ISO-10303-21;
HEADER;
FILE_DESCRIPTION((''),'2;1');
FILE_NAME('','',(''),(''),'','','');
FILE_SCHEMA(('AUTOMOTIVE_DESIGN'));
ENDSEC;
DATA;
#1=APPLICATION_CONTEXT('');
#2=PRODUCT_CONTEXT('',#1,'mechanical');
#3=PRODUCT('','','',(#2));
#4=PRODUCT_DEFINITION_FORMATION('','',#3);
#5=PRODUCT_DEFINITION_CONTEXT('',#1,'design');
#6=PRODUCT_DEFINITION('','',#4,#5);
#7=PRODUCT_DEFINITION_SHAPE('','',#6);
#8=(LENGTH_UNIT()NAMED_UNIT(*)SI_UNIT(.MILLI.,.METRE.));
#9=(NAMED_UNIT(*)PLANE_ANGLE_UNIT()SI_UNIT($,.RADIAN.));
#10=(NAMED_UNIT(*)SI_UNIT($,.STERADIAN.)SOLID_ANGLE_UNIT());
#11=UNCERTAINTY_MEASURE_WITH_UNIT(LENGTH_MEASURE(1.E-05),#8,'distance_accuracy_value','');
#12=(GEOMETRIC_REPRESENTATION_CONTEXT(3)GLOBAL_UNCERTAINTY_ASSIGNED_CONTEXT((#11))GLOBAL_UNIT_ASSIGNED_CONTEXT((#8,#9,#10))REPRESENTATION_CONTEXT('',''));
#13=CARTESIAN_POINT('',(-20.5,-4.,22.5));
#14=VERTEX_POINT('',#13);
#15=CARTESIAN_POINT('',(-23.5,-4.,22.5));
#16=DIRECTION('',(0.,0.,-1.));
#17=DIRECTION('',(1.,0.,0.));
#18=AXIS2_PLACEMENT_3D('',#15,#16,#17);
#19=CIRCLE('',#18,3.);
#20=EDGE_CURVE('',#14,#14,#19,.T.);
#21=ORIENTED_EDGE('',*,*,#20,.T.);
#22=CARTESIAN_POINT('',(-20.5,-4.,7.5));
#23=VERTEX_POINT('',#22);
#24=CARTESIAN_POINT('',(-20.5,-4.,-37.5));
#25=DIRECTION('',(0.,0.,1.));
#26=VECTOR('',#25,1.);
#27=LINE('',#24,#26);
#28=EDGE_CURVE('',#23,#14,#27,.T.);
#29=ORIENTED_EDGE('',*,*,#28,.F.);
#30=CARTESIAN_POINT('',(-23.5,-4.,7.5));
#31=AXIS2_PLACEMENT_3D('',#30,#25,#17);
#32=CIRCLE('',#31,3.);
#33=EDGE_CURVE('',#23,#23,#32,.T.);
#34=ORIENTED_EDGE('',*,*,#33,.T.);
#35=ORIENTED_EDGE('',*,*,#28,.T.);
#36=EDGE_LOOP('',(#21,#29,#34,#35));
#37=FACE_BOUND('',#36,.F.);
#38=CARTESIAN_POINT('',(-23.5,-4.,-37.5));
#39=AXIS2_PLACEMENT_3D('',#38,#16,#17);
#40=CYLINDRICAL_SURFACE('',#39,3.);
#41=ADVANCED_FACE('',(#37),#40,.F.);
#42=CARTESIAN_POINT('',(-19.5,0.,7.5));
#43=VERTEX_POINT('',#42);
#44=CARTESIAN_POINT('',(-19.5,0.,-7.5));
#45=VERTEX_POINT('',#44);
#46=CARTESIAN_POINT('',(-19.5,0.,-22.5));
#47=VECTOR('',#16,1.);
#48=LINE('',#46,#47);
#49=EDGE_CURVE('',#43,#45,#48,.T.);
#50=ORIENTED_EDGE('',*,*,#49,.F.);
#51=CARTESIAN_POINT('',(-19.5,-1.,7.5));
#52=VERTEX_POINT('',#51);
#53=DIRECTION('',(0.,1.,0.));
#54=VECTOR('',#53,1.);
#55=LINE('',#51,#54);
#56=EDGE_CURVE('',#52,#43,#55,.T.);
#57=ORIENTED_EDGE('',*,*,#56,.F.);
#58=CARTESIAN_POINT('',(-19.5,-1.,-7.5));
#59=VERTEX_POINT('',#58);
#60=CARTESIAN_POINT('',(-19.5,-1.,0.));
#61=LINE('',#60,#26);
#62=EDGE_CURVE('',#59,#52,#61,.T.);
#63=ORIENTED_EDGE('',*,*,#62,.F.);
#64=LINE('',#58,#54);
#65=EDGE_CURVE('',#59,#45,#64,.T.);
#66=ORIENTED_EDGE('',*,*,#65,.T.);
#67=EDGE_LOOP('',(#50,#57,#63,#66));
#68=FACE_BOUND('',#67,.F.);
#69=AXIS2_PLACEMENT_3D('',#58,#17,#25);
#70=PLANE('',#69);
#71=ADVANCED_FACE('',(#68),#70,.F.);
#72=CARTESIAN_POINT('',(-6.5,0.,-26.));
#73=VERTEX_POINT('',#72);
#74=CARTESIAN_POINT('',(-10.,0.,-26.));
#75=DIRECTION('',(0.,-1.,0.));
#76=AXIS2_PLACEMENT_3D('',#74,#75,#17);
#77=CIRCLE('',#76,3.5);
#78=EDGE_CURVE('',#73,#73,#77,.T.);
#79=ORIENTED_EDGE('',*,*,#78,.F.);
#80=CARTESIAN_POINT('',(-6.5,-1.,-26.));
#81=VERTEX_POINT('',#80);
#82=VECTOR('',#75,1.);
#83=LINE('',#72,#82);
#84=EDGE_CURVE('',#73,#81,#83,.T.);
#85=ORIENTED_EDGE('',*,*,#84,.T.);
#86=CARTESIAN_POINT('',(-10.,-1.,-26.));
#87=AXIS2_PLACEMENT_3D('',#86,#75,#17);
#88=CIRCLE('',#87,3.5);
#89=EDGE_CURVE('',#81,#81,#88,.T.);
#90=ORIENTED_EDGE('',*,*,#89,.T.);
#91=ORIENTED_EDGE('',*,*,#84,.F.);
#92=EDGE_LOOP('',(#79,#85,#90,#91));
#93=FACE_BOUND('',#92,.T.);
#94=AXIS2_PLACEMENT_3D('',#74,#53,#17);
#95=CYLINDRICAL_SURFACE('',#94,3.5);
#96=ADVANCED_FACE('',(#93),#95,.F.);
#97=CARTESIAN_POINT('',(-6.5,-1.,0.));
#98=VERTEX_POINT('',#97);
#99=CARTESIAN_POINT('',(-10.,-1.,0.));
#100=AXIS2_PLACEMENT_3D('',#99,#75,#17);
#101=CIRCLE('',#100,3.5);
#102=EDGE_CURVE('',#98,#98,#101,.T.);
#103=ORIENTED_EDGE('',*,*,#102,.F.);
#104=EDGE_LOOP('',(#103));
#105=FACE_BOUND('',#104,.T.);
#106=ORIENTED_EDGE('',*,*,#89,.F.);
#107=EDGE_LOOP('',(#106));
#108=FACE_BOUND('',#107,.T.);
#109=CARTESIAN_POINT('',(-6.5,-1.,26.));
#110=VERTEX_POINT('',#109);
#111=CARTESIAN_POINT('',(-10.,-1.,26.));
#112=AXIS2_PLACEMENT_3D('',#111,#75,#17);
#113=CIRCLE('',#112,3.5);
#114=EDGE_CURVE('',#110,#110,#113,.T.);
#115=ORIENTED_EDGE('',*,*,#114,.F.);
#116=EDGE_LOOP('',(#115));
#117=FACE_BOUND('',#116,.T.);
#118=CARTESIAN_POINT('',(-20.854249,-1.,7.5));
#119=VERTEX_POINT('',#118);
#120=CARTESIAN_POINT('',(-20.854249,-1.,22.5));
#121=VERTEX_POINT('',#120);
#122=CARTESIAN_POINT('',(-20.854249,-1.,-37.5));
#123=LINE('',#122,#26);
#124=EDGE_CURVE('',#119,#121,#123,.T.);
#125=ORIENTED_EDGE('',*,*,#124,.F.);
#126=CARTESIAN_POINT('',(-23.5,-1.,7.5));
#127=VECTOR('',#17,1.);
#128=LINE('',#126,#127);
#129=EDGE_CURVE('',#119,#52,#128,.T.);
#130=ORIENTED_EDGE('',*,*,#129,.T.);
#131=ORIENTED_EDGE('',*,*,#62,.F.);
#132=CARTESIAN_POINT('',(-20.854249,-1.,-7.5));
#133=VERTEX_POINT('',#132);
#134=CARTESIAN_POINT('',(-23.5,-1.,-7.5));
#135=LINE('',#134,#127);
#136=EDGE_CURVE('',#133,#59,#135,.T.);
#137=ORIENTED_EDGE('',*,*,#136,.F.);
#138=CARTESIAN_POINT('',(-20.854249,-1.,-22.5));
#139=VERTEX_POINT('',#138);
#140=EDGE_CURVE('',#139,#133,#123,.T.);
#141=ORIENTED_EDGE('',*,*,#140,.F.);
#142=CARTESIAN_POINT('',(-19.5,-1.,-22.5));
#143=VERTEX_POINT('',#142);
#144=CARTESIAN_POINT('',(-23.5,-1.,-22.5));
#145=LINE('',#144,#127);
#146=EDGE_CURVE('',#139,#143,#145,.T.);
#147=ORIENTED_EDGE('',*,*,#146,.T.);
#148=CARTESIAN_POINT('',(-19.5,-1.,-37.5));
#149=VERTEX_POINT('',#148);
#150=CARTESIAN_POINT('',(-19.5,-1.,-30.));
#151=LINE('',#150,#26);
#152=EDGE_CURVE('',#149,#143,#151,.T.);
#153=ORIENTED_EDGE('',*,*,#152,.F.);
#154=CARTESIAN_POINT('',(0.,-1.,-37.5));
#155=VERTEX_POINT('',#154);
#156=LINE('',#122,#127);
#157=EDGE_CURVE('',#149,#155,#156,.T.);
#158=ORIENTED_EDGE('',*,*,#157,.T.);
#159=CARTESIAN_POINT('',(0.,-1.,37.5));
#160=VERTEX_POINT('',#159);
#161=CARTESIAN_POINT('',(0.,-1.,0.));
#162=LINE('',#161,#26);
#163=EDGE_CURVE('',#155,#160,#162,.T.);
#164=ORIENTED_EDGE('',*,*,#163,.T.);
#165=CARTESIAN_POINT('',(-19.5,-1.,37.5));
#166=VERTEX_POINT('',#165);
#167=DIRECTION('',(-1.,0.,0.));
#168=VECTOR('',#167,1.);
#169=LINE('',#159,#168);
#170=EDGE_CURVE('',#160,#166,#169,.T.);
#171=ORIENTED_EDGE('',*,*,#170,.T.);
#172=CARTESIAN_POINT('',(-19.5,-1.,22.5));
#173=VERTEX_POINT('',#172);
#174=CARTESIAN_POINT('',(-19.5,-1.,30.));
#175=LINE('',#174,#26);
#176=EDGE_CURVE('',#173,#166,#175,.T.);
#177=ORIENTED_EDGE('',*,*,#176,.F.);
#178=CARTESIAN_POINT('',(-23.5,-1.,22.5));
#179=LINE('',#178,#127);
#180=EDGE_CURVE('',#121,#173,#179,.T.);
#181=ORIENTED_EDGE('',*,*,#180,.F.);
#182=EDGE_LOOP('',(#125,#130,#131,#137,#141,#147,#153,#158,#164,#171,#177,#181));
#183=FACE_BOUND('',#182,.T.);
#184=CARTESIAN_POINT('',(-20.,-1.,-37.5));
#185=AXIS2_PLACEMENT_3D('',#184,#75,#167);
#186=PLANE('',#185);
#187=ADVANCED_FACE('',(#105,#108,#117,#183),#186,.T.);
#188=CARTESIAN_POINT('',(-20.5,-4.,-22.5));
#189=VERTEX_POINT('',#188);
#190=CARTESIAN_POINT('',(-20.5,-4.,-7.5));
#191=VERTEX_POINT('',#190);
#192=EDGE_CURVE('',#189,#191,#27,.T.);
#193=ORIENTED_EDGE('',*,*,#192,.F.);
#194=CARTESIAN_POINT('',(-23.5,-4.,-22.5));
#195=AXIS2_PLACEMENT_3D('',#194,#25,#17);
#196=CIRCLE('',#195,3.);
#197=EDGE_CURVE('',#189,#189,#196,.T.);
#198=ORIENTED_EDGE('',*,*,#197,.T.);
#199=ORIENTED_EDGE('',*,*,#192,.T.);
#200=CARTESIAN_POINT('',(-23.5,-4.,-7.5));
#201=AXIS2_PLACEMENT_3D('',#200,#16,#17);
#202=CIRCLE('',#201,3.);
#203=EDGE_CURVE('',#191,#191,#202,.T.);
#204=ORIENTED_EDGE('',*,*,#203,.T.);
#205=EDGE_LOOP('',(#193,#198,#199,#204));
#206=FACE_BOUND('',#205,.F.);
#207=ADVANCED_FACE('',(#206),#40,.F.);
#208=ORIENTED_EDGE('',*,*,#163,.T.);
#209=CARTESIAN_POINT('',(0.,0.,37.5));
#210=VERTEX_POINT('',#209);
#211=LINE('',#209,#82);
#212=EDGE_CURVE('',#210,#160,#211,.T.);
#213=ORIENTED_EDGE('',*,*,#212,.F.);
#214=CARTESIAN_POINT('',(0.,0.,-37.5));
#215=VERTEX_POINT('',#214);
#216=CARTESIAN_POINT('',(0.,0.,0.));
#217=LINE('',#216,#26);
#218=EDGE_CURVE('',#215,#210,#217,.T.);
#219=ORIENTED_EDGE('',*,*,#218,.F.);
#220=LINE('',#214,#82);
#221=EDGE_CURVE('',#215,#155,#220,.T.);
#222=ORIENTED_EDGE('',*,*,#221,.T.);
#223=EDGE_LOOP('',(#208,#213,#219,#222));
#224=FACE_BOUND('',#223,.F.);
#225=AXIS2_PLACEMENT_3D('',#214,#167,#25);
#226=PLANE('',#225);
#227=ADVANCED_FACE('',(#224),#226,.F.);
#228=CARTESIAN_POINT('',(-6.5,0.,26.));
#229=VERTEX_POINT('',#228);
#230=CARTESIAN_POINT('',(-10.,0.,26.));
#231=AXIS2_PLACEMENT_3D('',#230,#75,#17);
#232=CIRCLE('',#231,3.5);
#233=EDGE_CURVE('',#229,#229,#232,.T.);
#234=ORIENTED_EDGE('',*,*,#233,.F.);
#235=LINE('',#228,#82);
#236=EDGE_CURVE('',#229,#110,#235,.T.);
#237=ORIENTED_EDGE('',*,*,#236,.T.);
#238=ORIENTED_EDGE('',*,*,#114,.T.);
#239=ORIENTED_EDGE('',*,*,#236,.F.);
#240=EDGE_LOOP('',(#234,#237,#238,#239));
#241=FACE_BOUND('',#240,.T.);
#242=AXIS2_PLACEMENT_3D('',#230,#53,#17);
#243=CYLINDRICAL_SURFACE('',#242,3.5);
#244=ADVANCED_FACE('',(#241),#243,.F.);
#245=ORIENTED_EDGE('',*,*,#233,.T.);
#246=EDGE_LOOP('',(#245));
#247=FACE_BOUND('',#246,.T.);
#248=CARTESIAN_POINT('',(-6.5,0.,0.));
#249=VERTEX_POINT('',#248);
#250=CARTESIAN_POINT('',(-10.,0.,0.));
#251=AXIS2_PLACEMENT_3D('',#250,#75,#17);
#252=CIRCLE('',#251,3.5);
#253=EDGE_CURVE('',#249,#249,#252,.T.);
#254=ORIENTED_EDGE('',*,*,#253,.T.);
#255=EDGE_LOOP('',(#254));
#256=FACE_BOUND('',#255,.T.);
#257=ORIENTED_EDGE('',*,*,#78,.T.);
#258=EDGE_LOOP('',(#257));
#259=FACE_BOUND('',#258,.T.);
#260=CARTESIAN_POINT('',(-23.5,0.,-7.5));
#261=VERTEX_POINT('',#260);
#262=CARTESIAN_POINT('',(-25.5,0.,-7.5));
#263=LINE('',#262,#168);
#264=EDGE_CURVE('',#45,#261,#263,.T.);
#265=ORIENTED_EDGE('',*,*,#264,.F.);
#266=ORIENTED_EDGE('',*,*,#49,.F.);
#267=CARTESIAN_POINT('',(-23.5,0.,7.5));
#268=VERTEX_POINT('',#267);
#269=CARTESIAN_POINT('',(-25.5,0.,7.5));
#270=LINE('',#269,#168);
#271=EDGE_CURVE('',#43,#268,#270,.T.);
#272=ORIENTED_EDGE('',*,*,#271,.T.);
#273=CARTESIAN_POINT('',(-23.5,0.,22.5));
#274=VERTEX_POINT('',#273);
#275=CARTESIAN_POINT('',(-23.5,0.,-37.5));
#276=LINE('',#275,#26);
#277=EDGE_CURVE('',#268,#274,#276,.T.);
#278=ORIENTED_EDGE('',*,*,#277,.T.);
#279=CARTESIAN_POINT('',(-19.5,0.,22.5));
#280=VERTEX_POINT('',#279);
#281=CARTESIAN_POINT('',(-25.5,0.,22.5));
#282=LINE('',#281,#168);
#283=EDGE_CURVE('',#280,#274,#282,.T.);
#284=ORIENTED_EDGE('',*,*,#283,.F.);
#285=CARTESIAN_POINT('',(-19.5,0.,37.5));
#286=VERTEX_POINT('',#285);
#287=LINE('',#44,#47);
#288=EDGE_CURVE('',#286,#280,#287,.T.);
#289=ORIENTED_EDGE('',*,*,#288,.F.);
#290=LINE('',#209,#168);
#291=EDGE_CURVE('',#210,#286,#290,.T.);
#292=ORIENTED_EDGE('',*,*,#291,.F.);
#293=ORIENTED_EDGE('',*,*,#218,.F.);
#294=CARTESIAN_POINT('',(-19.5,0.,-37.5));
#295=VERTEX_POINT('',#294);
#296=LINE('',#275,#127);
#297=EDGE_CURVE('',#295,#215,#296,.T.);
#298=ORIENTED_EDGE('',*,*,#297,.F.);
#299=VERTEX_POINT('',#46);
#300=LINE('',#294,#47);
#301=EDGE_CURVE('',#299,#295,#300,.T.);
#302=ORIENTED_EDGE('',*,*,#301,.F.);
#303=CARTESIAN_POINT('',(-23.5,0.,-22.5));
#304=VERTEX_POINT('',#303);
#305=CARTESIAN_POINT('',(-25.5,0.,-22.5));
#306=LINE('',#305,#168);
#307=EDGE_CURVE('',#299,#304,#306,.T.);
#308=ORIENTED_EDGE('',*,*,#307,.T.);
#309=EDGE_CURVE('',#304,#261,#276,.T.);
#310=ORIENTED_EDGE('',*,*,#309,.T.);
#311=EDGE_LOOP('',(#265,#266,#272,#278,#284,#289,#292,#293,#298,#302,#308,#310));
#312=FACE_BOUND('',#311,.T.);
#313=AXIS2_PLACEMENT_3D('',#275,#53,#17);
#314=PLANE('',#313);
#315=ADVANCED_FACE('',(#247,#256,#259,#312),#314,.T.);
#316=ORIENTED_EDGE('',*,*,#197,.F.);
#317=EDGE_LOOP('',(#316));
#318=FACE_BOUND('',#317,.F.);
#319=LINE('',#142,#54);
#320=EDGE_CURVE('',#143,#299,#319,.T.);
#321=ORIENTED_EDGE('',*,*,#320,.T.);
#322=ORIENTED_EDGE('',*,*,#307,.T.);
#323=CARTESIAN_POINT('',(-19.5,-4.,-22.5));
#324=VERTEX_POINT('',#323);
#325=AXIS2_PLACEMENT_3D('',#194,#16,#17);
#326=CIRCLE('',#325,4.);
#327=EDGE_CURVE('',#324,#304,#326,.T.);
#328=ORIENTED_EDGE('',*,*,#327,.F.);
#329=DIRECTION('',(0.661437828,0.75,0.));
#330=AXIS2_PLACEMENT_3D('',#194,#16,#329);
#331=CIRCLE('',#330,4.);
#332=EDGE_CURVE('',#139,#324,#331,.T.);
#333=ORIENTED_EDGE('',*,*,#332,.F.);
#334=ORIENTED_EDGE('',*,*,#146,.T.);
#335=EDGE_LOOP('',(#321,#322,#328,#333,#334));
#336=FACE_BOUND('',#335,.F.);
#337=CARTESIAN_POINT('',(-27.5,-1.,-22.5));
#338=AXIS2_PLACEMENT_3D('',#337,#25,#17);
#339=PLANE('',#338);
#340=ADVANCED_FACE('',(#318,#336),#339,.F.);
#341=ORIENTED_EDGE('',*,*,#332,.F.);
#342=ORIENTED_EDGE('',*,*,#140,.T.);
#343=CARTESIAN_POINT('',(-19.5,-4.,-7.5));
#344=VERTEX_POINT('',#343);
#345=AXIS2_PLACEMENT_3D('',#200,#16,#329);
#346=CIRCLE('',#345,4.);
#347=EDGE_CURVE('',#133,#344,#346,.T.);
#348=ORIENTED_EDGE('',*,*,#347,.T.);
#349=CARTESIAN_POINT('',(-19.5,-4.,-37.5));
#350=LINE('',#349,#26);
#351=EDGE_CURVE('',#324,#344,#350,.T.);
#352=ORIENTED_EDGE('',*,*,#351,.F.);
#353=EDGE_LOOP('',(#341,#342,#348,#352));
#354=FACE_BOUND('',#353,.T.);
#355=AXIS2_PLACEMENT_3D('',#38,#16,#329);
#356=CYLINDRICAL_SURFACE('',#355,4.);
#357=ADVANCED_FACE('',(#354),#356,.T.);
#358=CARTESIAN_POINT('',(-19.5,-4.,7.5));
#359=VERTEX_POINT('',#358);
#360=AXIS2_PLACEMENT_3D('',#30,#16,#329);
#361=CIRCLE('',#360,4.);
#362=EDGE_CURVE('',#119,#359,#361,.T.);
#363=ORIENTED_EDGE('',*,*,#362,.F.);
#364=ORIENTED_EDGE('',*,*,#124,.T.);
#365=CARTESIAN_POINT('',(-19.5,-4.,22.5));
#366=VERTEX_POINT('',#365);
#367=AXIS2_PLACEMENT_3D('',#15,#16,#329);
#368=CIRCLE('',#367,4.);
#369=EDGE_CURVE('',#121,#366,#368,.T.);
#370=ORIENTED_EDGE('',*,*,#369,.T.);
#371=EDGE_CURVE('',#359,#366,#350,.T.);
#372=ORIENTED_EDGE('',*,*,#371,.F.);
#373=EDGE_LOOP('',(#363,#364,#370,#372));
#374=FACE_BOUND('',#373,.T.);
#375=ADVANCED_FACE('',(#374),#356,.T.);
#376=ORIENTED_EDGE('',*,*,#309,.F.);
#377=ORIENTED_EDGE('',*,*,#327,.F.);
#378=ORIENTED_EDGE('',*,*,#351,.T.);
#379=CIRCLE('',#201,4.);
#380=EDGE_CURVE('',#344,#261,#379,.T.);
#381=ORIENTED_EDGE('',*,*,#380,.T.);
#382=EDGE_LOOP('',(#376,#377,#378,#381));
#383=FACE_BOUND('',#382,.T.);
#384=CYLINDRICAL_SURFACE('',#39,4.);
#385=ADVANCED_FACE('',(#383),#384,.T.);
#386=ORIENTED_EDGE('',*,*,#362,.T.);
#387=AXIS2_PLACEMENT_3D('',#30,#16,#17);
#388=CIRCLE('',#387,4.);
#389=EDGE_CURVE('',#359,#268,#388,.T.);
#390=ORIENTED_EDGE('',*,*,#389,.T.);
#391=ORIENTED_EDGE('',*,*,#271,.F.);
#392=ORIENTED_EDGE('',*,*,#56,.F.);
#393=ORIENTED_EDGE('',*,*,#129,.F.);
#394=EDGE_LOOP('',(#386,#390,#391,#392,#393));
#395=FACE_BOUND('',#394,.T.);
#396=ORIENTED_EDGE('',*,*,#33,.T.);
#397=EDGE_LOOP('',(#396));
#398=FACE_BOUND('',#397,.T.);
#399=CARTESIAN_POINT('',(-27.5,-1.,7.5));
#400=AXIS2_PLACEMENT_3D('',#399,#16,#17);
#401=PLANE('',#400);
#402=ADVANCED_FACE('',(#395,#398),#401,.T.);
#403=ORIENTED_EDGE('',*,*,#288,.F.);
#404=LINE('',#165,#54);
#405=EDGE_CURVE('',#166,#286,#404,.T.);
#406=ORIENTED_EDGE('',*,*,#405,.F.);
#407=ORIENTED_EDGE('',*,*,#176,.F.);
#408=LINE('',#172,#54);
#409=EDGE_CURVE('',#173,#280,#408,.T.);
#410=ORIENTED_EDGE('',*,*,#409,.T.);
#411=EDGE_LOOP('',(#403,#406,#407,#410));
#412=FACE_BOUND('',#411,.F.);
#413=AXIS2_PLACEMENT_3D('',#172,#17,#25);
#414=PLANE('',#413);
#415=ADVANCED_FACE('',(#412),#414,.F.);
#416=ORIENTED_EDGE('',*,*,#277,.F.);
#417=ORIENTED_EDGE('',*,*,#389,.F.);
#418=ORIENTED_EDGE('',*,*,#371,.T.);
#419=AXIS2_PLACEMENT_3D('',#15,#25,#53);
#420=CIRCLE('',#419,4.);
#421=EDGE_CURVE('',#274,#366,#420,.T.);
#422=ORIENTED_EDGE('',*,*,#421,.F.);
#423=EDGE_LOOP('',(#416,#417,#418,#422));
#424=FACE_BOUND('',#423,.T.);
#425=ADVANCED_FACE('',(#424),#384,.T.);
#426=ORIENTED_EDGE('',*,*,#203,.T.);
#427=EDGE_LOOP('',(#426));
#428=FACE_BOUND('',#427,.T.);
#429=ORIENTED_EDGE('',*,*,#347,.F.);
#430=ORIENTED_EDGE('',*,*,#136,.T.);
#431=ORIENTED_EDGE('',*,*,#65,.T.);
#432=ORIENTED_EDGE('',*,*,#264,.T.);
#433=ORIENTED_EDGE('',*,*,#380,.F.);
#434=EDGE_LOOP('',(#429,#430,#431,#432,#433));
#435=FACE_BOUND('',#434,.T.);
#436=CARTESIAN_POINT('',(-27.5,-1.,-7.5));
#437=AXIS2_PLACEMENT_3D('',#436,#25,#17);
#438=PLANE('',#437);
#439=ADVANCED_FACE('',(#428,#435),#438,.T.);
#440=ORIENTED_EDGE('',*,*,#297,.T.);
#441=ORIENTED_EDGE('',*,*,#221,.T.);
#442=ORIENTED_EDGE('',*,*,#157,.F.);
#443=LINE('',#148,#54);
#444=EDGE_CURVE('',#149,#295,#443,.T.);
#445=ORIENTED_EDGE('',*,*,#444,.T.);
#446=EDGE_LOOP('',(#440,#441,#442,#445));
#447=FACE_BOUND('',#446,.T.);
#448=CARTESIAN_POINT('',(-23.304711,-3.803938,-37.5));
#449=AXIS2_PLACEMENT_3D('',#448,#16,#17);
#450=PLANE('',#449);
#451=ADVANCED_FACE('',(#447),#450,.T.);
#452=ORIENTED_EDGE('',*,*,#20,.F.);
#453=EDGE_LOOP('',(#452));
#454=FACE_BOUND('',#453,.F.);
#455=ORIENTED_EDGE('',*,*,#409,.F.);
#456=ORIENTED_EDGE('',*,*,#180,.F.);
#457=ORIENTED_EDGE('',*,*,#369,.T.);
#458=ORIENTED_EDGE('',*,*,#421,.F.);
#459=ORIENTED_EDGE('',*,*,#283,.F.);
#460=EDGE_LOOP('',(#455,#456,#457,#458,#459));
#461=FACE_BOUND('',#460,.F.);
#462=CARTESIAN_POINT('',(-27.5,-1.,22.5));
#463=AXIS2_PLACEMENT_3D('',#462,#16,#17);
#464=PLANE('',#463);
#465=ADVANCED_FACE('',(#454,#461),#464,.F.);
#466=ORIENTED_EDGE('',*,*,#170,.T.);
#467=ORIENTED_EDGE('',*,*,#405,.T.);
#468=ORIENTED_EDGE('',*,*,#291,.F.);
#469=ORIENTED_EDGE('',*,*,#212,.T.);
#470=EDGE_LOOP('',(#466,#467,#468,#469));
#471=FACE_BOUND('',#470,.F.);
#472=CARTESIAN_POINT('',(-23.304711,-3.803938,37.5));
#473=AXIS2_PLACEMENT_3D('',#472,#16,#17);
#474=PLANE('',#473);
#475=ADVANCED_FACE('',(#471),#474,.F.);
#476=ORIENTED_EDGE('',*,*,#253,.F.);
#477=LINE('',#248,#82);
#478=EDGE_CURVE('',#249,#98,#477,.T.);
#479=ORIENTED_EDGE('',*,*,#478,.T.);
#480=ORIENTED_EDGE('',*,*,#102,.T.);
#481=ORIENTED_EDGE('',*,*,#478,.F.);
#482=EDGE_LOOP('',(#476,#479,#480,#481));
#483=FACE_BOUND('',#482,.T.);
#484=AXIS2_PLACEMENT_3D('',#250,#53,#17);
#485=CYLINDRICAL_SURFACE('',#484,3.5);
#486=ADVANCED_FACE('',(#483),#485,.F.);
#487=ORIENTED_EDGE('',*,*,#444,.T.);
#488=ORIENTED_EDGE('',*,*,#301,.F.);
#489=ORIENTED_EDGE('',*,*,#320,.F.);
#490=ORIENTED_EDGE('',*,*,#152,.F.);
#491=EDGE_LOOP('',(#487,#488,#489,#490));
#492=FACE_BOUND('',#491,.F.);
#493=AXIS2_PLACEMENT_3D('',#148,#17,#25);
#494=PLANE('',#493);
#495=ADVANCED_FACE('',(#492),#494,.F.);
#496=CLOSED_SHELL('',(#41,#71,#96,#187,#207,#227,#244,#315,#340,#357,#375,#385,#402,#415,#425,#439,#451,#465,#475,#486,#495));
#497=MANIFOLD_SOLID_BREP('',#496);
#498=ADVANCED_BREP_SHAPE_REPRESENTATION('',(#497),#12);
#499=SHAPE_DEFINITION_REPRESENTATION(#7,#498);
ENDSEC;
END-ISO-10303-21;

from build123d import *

# Parameters (mm, degrees)
F0_W          = 20
F0_H          = 75
F0_R          = 3.5
F1_DEPTH      = 1
F2_R          = 3
F3_DEPTH      = 75
F4_W          = 8
F4_H          = 15
F5_DEPTH      = 1.001
F5_DEPTH_BACK = 7.001


with BuildPart() as f1:
    # F0 (on Front) → F1 (new body)
    with BuildSketch(Plane.XZ):
        with Locations((-10, 0)):
            Rectangle(F0_W, F0_H)
        with Locations((-10, -26)):
            Circle(F0_R, mode=Mode.SUBTRACT)
        with Locations((-10, 0)):
            Circle(F0_R, mode=Mode.SUBTRACT)
        with Locations((-10, 26)):
            Circle(F0_R, mode=Mode.SUBTRACT)
    extrude(amount=F1_DEPTH)

    # F2 (on face) → F3 (join, through all)
    with BuildSketch(Plane(origin=(0, 0, -37.5), x_dir=(1, 0, 0), z_dir=(0, 0, -1))):
        with BuildLine():
            ThreePointArc((-20.8542486889, 1), (-19.8542486889, 2.3542486889), (-19.5, 4))
            ThreePointArc((-19.5, 4), (-26.3284271247, 6.8284271247), (-23.5, 0))
            ThreePointArc((-23.5, 0), (-22.0857864376, 0.2583426132), (-20.8542486889, 1))
        make_face()
        with Locations((-23.5, 4)):
            Circle(F2_R, mode=Mode.SUBTRACT)
        with BuildLine():
            ThreePointArc((-20.8542486889, 1), (-22.0857864376, 0.2583426132), (-23.5, 0))
            Line((-23.5, 0), (-20, 0))
            Line((-20, 0), (-20, 1))
            Line((-20, 1), (-20.8542486889, 1))
        make_face()
    extrude(amount=-F3_DEPTH)

    # F4 (on face) → F5 (cut, two sides)
    with BuildSketch(Plane.XZ.offset(1)) as f5_sk:
        with Locations((-23.5, 30)):
            Rectangle(F4_W, F4_H)
        with Locations((-23.5, -30)):
            Rectangle(F4_W, F4_H)
        with Locations((-23.5, 0)):
            Rectangle(F4_W, F4_H)
    extrude(amount=-F5_DEPTH, mode=Mode.SUBTRACT)
    extrude(f5_sk.sketch, amount=F5_DEPTH_BACK, mode=Mode.SUBTRACT)


solid = f1.part
